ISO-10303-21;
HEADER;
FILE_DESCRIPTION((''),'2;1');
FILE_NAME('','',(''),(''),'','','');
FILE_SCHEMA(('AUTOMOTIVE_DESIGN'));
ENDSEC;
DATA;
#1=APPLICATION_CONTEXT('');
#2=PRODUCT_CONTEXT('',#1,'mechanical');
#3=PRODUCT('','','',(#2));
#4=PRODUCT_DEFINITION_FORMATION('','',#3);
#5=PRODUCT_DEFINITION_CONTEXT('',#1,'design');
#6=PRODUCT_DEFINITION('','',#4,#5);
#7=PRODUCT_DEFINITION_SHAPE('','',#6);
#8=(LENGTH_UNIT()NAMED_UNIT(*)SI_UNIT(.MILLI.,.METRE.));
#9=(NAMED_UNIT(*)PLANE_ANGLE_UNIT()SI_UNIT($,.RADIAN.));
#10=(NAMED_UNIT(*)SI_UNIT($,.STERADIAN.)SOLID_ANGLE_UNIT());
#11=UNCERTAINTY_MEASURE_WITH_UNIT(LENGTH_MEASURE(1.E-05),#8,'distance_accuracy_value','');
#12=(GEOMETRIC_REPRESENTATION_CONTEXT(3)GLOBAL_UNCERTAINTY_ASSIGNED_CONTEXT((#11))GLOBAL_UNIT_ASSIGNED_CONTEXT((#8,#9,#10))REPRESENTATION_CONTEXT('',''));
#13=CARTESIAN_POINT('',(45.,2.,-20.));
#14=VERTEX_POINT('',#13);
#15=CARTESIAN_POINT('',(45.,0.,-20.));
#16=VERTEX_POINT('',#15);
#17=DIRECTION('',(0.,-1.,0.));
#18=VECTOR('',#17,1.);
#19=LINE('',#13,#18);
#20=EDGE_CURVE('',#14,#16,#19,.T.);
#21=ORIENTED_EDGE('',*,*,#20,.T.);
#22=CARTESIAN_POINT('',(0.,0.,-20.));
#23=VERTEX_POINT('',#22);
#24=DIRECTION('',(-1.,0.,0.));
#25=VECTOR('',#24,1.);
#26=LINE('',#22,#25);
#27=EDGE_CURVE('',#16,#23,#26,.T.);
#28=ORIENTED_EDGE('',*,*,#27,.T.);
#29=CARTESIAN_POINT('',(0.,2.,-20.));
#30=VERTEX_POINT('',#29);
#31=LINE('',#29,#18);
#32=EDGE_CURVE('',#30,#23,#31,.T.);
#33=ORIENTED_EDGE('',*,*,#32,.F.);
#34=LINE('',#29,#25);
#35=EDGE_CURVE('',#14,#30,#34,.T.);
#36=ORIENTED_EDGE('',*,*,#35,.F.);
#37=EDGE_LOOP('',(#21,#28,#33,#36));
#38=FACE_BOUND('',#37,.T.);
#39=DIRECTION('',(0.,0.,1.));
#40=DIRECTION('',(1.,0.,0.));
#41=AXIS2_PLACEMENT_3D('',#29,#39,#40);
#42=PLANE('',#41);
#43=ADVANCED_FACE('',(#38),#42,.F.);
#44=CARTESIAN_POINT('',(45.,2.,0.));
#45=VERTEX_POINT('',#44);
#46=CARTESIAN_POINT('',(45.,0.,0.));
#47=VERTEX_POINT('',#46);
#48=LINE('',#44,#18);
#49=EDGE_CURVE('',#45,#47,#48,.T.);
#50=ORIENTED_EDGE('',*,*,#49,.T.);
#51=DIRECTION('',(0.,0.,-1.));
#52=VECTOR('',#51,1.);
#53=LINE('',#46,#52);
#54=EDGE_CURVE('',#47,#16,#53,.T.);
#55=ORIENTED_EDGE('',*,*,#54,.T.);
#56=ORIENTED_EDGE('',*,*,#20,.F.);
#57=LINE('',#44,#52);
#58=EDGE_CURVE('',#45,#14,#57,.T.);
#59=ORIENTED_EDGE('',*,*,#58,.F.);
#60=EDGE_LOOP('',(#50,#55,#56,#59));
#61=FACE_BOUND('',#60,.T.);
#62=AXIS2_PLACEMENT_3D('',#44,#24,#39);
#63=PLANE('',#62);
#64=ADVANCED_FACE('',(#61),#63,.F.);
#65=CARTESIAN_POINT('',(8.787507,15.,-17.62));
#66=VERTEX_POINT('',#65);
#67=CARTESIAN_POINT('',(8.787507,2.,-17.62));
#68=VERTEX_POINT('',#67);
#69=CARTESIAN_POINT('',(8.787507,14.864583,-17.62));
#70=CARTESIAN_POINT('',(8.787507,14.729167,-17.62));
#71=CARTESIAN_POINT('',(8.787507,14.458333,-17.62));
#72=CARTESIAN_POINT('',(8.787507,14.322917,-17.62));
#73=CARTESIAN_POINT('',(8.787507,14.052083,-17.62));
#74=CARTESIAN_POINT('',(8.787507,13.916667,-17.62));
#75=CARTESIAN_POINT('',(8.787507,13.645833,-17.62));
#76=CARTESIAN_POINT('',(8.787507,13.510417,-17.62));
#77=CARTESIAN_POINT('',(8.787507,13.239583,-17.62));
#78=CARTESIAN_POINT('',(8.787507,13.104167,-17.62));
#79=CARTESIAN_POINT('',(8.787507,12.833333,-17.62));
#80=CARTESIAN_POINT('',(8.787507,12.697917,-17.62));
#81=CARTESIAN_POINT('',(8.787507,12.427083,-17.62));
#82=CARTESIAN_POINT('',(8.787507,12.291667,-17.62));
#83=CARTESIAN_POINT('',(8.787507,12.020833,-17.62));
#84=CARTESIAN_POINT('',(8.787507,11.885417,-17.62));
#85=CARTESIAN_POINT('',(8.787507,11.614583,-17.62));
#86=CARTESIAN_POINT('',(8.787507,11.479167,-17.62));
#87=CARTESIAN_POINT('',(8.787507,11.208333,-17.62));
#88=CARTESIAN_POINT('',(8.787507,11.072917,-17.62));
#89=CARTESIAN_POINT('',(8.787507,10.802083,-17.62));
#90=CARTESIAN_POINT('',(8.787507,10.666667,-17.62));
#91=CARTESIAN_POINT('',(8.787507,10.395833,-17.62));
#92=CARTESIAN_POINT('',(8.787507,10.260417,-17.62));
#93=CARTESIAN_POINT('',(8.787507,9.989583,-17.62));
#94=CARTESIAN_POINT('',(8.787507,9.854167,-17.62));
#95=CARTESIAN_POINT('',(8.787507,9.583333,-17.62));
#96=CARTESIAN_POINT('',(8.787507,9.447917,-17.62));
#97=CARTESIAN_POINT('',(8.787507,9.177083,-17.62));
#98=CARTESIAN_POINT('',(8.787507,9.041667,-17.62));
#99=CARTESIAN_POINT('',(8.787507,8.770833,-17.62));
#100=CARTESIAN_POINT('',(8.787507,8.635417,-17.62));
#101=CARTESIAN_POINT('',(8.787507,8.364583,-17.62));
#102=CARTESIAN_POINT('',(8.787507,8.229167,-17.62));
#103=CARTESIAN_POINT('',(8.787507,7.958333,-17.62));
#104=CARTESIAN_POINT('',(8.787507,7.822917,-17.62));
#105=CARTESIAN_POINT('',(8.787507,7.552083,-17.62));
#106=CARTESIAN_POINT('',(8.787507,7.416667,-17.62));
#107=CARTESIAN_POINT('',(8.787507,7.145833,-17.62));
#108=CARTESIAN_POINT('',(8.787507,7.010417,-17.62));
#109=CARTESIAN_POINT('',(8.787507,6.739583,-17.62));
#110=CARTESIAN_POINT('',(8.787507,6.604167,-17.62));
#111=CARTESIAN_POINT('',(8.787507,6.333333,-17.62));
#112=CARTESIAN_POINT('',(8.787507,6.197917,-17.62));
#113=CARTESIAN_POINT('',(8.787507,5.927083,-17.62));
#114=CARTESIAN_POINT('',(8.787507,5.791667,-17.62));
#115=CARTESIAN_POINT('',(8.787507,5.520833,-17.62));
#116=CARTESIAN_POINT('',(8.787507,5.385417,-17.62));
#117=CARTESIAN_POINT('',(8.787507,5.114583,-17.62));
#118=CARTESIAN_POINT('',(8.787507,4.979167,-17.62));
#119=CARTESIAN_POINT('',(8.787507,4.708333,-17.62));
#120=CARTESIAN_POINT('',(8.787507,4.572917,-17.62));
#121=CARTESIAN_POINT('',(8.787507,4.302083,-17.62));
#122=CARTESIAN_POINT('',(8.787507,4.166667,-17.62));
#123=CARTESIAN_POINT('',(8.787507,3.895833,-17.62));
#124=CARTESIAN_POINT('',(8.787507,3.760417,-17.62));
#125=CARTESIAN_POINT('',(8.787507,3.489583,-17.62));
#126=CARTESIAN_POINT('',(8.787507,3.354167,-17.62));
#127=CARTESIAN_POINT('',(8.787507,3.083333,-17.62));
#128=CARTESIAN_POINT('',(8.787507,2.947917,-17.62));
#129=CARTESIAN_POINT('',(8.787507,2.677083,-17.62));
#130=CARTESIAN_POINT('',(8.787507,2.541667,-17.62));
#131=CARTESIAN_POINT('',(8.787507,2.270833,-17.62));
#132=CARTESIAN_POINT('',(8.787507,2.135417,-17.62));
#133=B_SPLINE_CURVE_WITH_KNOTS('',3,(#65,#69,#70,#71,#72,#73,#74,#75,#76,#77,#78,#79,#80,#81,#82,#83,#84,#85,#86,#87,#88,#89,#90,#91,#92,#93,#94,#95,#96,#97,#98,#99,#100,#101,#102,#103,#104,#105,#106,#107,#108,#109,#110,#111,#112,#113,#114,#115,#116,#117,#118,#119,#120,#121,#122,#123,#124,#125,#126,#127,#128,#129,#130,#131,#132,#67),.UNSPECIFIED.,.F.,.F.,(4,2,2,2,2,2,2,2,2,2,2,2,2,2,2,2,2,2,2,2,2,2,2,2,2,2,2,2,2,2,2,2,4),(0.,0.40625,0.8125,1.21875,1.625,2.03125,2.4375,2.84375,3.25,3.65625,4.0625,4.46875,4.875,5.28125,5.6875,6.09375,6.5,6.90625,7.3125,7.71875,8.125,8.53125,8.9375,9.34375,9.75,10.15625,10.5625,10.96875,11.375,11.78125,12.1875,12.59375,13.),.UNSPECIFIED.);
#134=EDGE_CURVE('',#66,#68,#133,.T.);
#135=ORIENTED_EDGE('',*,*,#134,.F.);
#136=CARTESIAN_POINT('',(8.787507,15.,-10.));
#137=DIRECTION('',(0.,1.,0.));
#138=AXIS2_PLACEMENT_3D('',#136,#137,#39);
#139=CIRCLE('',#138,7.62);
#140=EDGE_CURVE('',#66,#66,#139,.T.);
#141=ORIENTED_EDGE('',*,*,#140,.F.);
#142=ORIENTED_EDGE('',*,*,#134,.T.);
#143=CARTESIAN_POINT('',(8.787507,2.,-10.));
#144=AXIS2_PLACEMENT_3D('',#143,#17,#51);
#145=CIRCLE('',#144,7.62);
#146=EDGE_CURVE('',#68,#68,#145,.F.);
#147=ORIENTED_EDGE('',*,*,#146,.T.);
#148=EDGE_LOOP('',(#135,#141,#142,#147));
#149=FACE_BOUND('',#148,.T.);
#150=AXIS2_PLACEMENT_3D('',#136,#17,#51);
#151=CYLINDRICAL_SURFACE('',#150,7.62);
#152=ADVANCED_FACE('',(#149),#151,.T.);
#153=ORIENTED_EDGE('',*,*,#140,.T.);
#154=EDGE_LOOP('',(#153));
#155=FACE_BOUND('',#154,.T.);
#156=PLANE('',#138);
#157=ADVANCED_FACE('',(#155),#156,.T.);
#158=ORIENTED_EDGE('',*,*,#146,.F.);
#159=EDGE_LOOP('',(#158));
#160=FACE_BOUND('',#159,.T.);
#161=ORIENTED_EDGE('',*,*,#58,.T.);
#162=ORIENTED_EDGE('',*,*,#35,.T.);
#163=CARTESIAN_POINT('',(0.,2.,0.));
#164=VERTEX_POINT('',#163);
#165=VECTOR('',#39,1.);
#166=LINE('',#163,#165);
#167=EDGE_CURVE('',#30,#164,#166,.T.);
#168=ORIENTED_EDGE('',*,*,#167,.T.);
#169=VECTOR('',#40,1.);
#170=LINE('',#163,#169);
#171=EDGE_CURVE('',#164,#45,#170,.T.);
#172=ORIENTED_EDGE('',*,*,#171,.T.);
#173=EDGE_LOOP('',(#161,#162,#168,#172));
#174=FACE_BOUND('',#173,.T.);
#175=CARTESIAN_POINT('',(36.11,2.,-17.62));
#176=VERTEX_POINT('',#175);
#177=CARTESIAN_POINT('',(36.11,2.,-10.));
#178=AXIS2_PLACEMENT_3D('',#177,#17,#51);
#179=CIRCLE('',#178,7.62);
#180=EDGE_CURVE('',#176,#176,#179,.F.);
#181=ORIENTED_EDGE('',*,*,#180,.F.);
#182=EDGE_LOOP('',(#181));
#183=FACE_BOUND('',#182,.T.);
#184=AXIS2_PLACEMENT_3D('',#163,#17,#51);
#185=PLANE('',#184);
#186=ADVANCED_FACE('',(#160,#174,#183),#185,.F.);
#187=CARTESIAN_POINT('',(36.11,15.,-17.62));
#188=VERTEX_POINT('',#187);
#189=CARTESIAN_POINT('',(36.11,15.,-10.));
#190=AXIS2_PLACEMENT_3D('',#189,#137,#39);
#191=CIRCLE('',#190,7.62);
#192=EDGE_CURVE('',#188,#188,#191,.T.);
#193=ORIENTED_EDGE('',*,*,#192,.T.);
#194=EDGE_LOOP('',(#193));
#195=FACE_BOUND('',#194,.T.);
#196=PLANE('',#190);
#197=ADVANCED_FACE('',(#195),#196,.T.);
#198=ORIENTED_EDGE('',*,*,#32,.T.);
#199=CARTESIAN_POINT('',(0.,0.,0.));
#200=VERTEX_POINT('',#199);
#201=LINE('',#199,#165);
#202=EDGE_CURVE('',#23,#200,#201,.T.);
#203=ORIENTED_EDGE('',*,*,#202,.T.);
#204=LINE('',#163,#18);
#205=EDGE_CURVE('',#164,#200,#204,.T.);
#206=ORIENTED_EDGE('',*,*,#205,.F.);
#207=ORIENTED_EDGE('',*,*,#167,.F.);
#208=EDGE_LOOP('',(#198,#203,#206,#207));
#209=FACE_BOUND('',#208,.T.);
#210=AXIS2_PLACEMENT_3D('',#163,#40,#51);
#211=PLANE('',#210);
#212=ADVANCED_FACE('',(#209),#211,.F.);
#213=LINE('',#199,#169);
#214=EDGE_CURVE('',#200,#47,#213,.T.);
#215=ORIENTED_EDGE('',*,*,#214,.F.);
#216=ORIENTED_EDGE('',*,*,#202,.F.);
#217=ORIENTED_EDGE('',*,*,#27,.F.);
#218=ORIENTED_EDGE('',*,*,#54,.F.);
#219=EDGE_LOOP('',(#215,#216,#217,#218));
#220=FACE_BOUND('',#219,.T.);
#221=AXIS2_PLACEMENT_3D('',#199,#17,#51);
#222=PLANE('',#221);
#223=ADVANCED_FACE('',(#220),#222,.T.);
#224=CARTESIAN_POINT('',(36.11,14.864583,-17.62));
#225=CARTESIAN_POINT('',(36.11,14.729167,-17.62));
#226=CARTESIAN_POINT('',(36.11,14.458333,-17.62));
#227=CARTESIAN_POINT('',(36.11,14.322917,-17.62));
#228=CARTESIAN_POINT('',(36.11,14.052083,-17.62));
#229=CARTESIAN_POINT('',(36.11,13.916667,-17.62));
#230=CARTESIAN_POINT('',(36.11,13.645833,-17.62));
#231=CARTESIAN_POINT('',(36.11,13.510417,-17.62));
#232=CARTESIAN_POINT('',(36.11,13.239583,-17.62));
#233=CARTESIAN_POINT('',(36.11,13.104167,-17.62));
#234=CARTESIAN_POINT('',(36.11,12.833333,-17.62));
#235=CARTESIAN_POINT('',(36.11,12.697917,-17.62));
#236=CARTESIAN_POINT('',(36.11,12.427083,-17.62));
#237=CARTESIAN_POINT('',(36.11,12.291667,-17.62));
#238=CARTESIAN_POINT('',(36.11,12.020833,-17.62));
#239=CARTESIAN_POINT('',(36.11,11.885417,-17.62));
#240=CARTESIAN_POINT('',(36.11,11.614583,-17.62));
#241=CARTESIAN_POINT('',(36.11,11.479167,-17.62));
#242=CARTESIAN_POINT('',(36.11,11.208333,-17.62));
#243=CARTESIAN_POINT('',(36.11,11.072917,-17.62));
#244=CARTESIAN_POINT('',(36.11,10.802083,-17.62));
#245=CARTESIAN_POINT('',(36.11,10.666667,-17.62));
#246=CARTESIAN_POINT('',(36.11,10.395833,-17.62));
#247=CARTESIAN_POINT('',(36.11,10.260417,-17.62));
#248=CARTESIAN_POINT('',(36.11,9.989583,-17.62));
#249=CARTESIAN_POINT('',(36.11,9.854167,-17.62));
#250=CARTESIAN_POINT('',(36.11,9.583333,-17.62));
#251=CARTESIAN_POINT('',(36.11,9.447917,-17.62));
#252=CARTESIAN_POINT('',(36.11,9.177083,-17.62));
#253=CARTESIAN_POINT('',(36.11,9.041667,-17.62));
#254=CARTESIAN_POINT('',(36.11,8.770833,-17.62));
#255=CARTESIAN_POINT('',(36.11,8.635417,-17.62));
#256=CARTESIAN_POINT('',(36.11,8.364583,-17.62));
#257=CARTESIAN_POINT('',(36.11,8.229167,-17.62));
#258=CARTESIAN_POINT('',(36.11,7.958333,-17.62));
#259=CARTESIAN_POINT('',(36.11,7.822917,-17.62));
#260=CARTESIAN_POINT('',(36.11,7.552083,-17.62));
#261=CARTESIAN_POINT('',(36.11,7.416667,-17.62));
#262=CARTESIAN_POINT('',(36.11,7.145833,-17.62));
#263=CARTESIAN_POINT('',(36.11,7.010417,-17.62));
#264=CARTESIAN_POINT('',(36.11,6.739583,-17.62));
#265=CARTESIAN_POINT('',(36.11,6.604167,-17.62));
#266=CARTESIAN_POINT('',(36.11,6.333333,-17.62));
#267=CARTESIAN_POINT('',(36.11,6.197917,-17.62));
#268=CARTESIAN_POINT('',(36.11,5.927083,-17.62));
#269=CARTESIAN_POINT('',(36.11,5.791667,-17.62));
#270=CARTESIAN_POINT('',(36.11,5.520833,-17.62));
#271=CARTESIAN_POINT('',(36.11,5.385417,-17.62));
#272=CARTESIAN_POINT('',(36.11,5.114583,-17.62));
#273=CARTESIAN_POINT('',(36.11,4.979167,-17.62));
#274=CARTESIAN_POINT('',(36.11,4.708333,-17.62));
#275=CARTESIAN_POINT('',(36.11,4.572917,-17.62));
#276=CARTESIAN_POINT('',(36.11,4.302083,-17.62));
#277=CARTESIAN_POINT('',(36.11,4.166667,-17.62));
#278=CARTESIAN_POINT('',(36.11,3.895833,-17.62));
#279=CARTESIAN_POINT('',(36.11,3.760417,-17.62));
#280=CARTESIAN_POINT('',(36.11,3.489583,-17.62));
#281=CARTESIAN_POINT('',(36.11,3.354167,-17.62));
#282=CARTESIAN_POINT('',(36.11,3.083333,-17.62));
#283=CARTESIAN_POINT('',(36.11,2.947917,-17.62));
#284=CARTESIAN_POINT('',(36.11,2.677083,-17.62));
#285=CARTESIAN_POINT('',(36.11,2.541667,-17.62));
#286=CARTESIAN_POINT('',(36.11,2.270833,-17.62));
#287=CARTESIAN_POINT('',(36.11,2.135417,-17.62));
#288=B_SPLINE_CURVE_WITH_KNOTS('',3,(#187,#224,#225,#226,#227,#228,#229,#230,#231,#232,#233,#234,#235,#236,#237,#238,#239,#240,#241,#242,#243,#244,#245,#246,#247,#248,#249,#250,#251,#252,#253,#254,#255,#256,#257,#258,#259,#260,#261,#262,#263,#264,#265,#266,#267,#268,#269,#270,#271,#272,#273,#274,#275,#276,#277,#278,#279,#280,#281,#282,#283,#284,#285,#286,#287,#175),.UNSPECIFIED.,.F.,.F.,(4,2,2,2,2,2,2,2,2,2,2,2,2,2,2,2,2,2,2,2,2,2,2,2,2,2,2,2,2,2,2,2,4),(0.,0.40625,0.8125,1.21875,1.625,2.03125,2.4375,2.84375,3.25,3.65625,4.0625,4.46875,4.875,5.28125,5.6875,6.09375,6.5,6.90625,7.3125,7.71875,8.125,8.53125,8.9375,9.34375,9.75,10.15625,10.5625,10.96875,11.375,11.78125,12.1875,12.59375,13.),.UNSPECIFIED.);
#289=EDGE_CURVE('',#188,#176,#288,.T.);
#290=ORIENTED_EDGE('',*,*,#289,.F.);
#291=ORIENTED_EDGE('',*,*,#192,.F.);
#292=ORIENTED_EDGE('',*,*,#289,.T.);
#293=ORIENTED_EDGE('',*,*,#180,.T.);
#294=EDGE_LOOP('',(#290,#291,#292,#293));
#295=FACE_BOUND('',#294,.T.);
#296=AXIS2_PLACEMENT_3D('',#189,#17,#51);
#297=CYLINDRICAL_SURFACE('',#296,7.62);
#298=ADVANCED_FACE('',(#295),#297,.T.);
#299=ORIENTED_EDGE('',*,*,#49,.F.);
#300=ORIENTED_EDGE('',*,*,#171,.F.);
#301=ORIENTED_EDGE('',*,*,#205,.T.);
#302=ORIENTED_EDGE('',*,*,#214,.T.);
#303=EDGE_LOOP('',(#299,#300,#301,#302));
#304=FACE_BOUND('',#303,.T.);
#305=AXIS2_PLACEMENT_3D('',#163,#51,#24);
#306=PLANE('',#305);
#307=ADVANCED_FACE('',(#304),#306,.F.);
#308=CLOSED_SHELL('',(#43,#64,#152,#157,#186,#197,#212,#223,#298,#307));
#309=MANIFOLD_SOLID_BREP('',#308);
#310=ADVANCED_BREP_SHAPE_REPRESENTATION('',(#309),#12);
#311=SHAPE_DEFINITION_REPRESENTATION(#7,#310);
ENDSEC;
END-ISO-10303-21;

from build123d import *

# Parameters (mm, degrees)
SKETCH1_W           = 45
SKETCH1_H           = 20
BOSS_EXTRUDE1_DEPTH = 2
SKETCH2_R           = 7.62
BOSS_EXTRUDE2_DEPTH = 13


with BuildPart() as part:
    # Sketch1 → Boss-Extrude1 (new body)
    with BuildSketch(Plane(origin=(0, 0, 0), x_dir=(1, 0, 0), z_dir=(0, 1, 0))):
        with Locations((22.5, 10)):
            Rectangle(SKETCH1_W, SKETCH1_H)
    extrude(amount=BOSS_EXTRUDE1_DEPTH)

    # Sketch2 → Boss-Extrude2 (add)
    with BuildSketch(Plane(origin=(0, 2, 0), x_dir=(1, 0, 0), z_dir=(0, 1, 0))):
        with Locations(Location((8.787506648, 10, 0), (0, 0, 90))):
            Circle(SKETCH2_R)
        with Locations(Location((36.11, 10, 0), (0, 0, 90))):
            Circle(SKETCH2_R)
    extrude(amount=BOSS_EXTRUDE2_DEPTH)


solid = part.part
